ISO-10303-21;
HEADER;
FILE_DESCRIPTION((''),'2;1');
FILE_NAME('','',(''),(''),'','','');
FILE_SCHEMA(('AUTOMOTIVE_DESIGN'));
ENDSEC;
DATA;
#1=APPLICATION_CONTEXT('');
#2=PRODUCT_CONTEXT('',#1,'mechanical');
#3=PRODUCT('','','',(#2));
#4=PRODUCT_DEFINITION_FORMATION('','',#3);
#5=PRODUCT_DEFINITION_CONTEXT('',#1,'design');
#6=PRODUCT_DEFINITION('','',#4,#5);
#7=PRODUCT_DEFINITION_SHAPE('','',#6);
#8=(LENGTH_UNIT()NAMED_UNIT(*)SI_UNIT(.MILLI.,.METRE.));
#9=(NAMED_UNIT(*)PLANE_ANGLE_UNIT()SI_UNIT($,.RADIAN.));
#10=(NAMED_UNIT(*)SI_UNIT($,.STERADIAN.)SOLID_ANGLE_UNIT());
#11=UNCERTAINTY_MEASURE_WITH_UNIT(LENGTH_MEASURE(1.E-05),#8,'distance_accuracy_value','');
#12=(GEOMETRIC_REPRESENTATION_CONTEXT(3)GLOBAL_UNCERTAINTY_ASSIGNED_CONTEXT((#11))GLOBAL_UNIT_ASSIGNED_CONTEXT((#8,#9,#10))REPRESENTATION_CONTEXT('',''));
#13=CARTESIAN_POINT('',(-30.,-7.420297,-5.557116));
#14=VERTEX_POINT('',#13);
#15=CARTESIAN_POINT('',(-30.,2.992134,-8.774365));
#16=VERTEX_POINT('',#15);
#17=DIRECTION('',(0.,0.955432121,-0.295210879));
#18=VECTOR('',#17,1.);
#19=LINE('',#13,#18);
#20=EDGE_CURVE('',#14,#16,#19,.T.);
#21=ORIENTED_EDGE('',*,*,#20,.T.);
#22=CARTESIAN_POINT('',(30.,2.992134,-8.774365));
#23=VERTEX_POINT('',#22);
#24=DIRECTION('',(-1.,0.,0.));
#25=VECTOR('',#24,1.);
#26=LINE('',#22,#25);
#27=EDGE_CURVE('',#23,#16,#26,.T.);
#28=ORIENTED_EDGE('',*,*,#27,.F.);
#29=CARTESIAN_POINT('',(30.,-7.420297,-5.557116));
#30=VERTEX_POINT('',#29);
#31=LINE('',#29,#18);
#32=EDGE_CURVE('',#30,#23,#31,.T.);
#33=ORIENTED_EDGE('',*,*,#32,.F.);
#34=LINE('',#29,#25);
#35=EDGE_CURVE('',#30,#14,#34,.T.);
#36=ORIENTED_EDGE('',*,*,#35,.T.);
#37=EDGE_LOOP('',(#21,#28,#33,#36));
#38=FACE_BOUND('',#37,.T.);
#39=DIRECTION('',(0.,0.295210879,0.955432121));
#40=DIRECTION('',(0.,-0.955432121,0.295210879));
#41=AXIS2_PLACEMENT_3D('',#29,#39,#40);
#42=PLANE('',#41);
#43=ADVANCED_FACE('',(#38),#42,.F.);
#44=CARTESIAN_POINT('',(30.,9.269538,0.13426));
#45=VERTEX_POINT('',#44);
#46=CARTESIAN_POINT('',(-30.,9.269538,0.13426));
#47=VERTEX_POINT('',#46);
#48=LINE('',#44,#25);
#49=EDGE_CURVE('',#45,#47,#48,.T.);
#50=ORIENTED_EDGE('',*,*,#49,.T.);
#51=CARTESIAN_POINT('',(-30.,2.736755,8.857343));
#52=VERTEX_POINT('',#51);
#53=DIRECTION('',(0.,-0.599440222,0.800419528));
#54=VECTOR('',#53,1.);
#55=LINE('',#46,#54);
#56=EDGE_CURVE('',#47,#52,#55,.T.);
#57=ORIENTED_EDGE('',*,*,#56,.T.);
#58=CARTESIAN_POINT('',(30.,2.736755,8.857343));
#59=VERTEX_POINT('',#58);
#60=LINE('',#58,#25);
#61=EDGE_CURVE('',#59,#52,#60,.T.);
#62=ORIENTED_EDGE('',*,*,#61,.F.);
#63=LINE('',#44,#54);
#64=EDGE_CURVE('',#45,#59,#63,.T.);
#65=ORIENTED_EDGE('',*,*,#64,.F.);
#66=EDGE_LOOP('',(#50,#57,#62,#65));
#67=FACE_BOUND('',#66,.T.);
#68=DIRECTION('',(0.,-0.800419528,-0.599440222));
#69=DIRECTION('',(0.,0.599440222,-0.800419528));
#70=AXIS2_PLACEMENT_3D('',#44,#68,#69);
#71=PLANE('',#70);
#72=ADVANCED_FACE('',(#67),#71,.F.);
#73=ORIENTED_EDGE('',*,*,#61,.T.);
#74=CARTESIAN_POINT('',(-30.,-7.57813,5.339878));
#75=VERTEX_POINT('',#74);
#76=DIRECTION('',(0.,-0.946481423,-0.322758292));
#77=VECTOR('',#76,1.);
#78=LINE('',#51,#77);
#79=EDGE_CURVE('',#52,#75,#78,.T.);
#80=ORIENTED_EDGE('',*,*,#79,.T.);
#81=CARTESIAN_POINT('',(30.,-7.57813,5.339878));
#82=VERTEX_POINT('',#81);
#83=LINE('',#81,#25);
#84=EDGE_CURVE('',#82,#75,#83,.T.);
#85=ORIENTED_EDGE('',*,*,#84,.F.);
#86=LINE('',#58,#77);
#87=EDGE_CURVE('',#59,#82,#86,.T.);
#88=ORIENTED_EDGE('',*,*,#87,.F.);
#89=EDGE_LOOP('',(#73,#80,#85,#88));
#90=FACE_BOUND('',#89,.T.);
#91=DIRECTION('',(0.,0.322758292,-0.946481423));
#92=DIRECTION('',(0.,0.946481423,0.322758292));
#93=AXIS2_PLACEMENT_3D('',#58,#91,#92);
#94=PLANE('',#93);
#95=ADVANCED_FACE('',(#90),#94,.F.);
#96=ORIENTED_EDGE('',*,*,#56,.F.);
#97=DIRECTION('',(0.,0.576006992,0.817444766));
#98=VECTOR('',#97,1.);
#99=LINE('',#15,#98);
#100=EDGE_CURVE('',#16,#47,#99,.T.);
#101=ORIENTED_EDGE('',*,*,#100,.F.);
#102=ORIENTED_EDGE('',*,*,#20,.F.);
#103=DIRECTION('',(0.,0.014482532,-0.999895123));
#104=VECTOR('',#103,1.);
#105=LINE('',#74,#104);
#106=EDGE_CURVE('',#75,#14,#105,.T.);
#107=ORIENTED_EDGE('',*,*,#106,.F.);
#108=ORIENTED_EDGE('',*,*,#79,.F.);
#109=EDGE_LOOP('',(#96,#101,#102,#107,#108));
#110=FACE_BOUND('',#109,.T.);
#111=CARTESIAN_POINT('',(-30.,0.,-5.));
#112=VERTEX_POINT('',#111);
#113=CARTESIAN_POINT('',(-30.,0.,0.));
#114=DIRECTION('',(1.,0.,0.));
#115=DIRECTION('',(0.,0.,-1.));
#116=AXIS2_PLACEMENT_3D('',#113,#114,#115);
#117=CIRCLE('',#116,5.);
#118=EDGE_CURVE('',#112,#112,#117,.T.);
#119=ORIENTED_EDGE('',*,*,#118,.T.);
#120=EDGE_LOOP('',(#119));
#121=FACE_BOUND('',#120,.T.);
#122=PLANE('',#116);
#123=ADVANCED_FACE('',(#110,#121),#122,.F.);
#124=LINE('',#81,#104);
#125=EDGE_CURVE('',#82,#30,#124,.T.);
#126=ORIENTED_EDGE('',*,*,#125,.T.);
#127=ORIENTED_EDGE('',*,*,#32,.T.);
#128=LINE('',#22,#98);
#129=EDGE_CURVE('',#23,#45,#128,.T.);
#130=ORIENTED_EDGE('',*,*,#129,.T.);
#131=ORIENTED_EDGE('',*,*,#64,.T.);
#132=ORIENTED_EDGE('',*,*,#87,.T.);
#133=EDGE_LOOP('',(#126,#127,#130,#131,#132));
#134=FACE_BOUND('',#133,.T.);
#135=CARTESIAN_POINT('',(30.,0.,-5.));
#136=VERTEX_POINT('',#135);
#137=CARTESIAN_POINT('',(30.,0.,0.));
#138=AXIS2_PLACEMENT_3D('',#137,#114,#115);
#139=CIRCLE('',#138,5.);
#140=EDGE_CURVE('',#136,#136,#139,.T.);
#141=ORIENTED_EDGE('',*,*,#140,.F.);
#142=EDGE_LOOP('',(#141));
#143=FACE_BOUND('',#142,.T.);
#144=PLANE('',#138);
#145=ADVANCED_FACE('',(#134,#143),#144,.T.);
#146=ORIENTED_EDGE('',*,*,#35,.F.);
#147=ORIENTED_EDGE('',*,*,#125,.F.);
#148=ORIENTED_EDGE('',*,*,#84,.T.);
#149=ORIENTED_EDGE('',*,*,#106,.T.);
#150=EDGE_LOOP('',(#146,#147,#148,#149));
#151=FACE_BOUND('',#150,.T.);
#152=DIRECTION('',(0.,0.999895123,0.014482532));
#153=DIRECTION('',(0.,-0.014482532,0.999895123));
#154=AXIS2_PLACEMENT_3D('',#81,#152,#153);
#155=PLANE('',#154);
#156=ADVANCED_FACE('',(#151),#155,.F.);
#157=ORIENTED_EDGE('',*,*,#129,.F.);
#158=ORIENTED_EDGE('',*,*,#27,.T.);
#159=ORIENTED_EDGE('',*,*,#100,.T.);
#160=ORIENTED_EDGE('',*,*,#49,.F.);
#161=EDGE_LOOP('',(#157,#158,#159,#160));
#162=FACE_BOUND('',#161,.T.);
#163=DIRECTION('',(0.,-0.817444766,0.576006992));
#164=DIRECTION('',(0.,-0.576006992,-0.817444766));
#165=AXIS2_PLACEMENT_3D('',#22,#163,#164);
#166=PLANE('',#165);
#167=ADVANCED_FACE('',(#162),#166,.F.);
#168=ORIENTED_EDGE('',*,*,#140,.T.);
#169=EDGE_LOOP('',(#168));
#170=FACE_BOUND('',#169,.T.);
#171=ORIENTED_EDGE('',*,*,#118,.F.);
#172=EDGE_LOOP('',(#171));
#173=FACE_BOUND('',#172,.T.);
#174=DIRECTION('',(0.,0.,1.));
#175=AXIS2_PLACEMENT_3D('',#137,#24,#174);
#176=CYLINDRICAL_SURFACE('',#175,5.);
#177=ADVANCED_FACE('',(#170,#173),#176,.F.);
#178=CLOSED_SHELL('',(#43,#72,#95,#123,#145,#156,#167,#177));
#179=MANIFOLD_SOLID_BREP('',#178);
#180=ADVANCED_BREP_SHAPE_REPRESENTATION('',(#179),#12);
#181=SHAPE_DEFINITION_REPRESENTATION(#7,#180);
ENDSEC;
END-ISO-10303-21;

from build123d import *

# Parameters (mm, degrees)
SKETCH6_R           = 5
BOSS_EXTRUDE2_DEPTH = 30


with BuildPart() as part:
    # Sketch6 → Boss-Extrude2 (new body, symmetric)
    with BuildSketch(Plane(origin=(0, 0, 0), x_dir=(0, 0, -1), z_dir=(1, 0, 0))):
        Polygon((5.557116467, -7.420297103), (8.774365341, 2.99213392), (-0.134260457, 9.269537565), (-8.857342867, 2.736755355), (-5.339878485, -7.578129736), align=None)
        Circle(SKETCH6_R, mode=Mode.SUBTRACT)
    extrude(amount=BOSS_EXTRUDE2_DEPTH, both=True)


solid = part.part
